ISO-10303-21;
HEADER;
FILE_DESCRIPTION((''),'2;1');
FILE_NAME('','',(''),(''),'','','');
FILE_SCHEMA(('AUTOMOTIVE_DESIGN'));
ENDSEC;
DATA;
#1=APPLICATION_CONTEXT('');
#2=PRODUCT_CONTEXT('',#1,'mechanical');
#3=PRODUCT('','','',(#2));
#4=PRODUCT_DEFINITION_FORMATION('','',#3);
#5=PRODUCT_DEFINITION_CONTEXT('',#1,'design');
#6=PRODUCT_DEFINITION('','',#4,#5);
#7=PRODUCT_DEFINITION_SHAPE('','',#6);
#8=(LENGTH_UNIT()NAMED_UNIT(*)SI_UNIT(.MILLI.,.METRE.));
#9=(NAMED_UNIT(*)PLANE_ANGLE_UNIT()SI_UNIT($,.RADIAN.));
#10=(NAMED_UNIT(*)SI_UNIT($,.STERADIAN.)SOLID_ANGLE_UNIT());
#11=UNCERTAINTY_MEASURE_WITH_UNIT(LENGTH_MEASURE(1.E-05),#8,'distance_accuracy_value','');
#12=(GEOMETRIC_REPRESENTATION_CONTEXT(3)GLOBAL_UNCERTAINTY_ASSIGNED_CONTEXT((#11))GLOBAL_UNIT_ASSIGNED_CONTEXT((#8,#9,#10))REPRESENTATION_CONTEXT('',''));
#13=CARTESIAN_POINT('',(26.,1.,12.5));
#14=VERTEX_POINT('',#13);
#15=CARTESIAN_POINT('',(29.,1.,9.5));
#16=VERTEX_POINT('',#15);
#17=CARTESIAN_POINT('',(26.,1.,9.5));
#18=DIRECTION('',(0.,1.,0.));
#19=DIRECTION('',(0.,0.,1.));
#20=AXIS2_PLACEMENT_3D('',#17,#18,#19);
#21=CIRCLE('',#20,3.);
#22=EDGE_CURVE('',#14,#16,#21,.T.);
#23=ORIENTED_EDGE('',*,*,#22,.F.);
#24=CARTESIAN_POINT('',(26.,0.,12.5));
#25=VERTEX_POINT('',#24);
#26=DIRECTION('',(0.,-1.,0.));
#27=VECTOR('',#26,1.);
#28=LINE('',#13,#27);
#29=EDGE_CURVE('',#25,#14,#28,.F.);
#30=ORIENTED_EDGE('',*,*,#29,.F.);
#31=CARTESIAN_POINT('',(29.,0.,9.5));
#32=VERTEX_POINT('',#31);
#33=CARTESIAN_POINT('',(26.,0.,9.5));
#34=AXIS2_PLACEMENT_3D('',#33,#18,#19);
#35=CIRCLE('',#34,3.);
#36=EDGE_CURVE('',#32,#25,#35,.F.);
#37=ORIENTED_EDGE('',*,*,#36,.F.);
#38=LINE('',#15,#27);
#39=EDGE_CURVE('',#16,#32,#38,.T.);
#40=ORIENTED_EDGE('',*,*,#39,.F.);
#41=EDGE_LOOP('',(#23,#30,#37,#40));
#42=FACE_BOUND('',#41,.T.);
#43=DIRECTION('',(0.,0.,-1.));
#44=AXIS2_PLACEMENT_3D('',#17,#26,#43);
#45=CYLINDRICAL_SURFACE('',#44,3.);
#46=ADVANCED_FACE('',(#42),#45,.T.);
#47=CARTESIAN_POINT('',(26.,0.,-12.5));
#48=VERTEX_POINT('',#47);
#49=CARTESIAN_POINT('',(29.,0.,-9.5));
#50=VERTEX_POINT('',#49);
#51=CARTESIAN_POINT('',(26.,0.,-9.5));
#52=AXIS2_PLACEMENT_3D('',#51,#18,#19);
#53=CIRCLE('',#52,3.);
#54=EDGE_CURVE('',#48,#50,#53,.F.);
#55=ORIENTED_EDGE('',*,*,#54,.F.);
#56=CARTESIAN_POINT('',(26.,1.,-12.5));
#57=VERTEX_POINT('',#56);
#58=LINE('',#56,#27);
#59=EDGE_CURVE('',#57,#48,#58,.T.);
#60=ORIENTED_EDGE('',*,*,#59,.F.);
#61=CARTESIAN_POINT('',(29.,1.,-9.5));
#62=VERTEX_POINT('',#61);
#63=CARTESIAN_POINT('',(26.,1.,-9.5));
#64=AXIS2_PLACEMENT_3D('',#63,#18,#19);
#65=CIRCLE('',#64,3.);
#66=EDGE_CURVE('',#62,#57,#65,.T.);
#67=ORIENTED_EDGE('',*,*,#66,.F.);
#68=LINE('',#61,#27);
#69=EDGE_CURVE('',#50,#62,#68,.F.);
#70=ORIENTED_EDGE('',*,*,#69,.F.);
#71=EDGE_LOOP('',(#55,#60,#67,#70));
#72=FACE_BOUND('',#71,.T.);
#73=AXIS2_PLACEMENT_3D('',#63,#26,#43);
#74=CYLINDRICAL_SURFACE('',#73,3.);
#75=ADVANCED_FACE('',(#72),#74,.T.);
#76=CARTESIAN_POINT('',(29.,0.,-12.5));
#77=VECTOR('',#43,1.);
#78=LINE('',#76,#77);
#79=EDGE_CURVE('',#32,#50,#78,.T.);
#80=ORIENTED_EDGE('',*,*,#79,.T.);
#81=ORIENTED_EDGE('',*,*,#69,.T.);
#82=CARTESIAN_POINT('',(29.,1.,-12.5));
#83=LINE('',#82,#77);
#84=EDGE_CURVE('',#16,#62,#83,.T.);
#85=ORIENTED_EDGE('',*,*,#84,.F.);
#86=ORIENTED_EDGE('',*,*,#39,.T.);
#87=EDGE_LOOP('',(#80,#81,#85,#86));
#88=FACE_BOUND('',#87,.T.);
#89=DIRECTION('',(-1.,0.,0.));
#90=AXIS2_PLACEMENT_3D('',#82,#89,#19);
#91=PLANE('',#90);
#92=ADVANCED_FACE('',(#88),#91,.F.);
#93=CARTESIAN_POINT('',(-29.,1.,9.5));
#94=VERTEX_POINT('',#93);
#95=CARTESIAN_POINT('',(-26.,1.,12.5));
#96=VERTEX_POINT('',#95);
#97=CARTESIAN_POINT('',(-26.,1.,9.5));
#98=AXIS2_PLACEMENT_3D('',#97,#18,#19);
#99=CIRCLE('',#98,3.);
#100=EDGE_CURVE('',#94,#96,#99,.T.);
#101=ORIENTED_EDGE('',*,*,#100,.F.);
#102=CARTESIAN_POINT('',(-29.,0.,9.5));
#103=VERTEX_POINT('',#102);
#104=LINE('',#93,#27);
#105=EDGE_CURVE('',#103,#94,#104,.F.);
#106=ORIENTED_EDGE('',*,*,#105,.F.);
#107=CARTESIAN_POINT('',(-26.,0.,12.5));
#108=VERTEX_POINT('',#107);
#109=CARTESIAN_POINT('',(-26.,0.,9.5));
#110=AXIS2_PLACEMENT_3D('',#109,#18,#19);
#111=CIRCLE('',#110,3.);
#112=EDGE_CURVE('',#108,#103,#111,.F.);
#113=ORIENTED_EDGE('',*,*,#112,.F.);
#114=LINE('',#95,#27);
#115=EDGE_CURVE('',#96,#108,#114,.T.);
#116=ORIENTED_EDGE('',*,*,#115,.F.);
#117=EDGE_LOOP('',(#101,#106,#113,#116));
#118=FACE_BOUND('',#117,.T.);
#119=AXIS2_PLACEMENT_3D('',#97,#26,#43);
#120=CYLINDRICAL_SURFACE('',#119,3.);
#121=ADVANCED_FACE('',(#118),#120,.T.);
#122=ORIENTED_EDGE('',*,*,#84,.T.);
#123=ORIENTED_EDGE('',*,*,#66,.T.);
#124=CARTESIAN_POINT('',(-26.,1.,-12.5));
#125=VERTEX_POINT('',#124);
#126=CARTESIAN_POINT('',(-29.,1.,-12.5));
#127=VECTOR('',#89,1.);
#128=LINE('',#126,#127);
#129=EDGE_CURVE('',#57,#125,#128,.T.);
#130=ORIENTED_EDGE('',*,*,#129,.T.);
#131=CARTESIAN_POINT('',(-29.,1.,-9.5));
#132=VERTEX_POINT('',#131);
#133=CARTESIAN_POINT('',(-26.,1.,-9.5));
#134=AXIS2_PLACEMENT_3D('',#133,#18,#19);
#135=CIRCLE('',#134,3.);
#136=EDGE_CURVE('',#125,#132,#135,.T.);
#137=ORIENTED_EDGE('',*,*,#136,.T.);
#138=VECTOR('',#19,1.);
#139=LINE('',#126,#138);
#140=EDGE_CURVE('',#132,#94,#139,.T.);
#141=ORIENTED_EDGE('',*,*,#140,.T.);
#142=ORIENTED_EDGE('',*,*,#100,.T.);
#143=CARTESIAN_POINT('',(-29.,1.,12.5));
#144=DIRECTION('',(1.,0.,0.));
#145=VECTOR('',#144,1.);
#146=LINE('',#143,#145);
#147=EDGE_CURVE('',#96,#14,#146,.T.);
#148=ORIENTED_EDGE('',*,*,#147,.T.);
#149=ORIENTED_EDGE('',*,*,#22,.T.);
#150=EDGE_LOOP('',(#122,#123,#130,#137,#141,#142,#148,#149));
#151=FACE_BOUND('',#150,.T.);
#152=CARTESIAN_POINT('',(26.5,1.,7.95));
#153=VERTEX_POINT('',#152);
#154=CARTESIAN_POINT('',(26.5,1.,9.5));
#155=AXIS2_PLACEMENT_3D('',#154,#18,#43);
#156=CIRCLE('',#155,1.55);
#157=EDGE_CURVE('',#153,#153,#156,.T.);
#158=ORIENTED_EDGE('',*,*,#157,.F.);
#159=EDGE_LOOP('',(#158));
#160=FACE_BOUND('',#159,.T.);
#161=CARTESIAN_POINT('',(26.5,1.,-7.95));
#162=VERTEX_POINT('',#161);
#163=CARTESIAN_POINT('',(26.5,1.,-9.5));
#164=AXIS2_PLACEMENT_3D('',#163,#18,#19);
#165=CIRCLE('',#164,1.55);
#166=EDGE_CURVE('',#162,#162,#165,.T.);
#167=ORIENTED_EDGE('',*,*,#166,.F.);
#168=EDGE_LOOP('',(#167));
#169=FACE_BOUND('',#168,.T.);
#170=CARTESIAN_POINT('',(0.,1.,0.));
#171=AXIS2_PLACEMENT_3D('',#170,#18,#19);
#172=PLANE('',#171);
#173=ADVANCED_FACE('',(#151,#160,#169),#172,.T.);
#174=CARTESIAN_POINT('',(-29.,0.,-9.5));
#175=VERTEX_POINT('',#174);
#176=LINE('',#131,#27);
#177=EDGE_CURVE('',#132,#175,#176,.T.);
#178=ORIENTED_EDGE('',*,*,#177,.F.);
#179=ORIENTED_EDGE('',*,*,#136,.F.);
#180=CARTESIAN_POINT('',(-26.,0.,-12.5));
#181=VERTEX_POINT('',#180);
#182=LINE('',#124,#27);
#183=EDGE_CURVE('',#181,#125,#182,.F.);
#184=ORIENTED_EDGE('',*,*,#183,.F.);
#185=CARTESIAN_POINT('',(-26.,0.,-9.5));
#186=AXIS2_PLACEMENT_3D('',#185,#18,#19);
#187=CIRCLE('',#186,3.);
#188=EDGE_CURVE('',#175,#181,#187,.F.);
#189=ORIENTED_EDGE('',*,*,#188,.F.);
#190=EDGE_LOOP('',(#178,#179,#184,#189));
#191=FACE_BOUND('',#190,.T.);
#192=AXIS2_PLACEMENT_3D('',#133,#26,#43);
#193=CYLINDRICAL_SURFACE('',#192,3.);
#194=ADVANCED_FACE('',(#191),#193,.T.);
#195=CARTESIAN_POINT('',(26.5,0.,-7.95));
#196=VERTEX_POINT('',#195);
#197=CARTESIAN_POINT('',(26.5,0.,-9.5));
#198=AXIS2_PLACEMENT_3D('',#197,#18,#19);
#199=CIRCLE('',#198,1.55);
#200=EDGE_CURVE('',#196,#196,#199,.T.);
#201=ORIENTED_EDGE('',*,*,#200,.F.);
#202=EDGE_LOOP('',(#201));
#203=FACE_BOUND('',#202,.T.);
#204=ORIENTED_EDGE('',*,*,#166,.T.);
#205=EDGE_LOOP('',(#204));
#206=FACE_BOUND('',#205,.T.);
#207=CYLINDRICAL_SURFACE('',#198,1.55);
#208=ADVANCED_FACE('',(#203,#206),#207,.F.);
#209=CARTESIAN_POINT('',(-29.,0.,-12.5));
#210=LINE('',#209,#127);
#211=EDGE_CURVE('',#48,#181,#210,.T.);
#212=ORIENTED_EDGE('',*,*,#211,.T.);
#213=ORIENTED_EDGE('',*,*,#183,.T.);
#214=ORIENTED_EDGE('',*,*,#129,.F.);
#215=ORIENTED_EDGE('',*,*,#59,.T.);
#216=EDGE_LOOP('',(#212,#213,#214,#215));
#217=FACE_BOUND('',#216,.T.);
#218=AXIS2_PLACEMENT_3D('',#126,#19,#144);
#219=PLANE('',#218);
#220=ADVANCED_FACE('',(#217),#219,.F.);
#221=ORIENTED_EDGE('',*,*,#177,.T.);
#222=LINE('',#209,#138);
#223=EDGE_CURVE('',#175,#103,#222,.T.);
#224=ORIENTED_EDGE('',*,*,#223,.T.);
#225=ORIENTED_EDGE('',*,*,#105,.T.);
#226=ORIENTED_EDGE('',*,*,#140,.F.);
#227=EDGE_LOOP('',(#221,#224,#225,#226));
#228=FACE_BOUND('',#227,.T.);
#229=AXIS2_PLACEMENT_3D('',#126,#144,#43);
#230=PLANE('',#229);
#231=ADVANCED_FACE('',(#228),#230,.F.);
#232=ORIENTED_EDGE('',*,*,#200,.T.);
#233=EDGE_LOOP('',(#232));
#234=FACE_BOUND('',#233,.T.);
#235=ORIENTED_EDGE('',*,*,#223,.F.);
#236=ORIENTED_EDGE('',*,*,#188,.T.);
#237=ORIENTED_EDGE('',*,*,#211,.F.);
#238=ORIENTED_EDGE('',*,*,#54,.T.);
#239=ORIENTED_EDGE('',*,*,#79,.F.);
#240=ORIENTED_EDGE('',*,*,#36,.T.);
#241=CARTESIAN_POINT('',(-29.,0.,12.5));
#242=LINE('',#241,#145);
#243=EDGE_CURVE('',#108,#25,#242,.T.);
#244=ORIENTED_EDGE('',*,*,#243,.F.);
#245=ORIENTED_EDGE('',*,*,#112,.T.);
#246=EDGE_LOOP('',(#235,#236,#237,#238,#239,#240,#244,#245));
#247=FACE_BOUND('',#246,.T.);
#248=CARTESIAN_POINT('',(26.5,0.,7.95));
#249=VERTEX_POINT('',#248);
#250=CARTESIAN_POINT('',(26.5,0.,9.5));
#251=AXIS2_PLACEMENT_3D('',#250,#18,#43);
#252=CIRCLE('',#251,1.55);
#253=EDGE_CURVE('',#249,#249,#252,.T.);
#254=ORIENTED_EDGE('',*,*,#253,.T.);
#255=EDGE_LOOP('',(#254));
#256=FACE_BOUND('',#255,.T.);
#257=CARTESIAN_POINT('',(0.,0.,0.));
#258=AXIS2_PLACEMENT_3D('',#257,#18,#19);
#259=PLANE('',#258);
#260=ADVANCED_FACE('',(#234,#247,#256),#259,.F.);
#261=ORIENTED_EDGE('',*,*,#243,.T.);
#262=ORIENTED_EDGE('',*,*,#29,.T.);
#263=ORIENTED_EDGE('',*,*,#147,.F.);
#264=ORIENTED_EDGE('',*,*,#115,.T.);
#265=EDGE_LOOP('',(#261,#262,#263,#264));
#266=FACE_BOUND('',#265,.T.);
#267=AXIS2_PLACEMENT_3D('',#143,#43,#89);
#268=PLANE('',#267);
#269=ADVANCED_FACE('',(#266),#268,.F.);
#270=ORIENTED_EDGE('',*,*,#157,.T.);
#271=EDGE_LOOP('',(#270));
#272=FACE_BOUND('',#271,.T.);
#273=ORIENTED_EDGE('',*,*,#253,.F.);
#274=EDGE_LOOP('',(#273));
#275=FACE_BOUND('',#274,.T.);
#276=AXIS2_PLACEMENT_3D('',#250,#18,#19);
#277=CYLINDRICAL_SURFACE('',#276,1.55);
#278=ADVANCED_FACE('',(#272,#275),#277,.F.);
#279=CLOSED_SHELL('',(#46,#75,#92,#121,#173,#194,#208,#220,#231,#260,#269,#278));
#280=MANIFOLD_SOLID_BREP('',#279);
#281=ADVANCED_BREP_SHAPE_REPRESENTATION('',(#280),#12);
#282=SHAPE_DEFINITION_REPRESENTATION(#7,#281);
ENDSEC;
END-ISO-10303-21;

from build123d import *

# Parameters (mm, degrees)
SKETCH_1_W          = 58
SKETCH_1_H          = 25
EXTRUDE_1_DEPTH     = 1
SKETCH_2_R          = 1.55
CUT_EXTRUDE_1_DEPTH = 2
FILLET_1_R          = 3


with BuildPart() as part:
    # 草图1 → 凸台-拉伸1 (new body)
    with BuildSketch(Plane(origin=(0, 0, 0), x_dir=(1, 0, 0), z_dir=(0, 1, 0))):
        Rectangle(SKETCH_1_W, SKETCH_1_H)
    extrude(amount=EXTRUDE_1_DEPTH)

    # 草图2 → 切除-拉伸1 (cut, through all)
    with BuildSketch(Plane(origin=(0, 1, 0), x_dir=(1, 0, 0), z_dir=(0, 1, 0))):
        with Locations((26.5, 9.5)):
            Circle(SKETCH_2_R)
        with Locations((26.5, -9.5)):
            Circle(SKETCH_2_R)
    extrude(amount=-CUT_EXTRUDE_1_DEPTH, mode=Mode.SUBTRACT)

    # 圆角1
    fillet_1_edges = [part.edges().sort_by_distance(p)[0] for p in [
        (29, 0.5, 12.5),
        (-29, 0.5, 12.5),
        (-29, 0.5, -12.5),
        (29, 0.5, -12.5),
    ]]
    fillet(fillet_1_edges, radius=FILLET_1_R)


solid = part.part
